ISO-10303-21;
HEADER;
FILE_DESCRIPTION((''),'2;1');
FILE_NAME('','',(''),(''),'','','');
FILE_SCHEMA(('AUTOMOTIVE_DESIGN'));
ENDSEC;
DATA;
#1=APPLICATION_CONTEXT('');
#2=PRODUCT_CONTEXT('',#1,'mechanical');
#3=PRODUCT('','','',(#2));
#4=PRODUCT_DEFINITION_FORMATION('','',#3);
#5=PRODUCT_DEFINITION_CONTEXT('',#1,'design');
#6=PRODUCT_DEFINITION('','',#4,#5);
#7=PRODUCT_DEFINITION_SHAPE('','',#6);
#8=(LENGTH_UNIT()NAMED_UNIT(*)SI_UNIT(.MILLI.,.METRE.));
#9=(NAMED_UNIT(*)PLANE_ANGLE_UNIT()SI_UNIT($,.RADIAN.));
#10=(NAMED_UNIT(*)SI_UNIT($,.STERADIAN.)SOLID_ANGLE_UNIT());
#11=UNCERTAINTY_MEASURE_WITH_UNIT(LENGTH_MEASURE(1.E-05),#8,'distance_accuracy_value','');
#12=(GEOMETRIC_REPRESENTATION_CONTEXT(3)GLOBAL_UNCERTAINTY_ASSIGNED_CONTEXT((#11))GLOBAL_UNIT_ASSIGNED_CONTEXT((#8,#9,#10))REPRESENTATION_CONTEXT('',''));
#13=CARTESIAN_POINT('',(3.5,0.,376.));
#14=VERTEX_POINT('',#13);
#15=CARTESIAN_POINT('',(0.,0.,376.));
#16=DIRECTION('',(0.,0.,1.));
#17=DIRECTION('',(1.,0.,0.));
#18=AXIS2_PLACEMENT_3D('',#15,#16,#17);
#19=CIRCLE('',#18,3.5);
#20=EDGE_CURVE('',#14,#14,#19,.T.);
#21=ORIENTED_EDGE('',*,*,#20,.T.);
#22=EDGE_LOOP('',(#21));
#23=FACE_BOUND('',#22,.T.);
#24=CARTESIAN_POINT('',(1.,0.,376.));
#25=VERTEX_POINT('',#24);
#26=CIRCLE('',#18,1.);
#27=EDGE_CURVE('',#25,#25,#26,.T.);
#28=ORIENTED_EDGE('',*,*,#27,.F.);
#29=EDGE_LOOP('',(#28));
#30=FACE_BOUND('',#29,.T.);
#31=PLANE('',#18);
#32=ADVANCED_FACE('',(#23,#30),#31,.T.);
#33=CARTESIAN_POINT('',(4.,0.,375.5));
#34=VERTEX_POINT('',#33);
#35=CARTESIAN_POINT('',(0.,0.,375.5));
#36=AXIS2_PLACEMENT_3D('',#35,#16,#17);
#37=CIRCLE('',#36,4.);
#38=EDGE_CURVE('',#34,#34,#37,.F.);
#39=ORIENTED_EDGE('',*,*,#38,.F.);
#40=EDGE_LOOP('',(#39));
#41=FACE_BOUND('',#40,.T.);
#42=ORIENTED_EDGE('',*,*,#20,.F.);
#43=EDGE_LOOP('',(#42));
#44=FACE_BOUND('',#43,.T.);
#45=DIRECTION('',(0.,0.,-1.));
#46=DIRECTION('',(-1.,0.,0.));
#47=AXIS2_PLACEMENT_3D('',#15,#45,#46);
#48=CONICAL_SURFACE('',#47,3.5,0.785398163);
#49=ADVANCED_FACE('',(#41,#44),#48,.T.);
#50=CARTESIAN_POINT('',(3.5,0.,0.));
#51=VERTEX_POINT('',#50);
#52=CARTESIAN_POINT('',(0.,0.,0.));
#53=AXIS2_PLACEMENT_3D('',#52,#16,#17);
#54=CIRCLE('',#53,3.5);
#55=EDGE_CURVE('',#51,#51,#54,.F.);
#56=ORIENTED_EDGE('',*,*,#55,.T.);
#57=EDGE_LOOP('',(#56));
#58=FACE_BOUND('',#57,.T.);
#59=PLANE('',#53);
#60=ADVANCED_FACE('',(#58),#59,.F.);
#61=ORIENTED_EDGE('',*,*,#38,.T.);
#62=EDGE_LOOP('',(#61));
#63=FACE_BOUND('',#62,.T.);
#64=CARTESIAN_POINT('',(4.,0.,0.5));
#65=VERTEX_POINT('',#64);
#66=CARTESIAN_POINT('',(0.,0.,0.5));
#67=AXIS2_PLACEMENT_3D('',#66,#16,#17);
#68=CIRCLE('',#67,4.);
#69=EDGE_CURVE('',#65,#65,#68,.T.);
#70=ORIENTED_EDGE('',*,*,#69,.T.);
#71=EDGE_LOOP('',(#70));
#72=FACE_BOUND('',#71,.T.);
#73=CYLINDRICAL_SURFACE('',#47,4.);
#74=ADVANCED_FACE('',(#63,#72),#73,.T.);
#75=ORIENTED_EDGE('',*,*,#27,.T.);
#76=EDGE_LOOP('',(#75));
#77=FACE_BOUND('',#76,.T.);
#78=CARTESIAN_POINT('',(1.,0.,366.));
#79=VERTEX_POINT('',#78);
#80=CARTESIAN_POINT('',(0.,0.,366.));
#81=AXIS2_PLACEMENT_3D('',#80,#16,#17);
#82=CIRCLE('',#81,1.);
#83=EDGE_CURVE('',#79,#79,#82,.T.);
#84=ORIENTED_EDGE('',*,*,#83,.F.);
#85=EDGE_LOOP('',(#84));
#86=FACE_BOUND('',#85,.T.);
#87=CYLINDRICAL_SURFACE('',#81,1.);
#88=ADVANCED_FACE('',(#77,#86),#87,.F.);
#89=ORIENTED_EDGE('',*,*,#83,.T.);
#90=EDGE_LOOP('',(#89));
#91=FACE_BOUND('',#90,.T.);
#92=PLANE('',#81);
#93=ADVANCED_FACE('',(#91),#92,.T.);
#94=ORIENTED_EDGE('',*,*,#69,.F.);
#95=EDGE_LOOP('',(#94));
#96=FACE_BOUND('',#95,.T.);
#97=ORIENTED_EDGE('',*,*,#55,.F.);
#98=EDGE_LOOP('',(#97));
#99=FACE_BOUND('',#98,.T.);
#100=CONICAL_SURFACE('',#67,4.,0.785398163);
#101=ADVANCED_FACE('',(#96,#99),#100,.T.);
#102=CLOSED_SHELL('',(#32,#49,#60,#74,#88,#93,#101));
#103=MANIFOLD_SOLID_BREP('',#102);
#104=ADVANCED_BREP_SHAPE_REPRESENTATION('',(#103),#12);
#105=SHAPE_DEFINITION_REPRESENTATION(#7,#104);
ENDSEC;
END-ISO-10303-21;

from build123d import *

# Parameters (mm, degrees)
SKETCH1_R           = 4
BOSS_EXTRUDE1_DEPTH = 376
SKETCH2_R           = 1
CUT_EXTRUDE1_DEPTH  = 10
CHAMFER1_SIZE       = 0.5


with BuildPart() as part:
    # Sketch1 → Boss-Extrude1 (new body)
    with BuildSketch(Plane.XY):
        Circle(SKETCH1_R)
    extrude(amount=BOSS_EXTRUDE1_DEPTH)

    # Sketch2 → Cut-Extrude1 (cut)
    with BuildSketch(Plane.XY.offset(376)):
        Circle(SKETCH2_R)
    extrude(amount=-CUT_EXTRUDE1_DEPTH, mode=Mode.SUBTRACT)

    # Chamfer1
    chamfer1_edges = [part.edges().sort_by_distance(p)[0] for p in [
        (-4, 0, 0),
        (-4, 0, 376),
    ]]
    chamfer(chamfer1_edges, length=CHAMFER1_SIZE)


solid = part.part
